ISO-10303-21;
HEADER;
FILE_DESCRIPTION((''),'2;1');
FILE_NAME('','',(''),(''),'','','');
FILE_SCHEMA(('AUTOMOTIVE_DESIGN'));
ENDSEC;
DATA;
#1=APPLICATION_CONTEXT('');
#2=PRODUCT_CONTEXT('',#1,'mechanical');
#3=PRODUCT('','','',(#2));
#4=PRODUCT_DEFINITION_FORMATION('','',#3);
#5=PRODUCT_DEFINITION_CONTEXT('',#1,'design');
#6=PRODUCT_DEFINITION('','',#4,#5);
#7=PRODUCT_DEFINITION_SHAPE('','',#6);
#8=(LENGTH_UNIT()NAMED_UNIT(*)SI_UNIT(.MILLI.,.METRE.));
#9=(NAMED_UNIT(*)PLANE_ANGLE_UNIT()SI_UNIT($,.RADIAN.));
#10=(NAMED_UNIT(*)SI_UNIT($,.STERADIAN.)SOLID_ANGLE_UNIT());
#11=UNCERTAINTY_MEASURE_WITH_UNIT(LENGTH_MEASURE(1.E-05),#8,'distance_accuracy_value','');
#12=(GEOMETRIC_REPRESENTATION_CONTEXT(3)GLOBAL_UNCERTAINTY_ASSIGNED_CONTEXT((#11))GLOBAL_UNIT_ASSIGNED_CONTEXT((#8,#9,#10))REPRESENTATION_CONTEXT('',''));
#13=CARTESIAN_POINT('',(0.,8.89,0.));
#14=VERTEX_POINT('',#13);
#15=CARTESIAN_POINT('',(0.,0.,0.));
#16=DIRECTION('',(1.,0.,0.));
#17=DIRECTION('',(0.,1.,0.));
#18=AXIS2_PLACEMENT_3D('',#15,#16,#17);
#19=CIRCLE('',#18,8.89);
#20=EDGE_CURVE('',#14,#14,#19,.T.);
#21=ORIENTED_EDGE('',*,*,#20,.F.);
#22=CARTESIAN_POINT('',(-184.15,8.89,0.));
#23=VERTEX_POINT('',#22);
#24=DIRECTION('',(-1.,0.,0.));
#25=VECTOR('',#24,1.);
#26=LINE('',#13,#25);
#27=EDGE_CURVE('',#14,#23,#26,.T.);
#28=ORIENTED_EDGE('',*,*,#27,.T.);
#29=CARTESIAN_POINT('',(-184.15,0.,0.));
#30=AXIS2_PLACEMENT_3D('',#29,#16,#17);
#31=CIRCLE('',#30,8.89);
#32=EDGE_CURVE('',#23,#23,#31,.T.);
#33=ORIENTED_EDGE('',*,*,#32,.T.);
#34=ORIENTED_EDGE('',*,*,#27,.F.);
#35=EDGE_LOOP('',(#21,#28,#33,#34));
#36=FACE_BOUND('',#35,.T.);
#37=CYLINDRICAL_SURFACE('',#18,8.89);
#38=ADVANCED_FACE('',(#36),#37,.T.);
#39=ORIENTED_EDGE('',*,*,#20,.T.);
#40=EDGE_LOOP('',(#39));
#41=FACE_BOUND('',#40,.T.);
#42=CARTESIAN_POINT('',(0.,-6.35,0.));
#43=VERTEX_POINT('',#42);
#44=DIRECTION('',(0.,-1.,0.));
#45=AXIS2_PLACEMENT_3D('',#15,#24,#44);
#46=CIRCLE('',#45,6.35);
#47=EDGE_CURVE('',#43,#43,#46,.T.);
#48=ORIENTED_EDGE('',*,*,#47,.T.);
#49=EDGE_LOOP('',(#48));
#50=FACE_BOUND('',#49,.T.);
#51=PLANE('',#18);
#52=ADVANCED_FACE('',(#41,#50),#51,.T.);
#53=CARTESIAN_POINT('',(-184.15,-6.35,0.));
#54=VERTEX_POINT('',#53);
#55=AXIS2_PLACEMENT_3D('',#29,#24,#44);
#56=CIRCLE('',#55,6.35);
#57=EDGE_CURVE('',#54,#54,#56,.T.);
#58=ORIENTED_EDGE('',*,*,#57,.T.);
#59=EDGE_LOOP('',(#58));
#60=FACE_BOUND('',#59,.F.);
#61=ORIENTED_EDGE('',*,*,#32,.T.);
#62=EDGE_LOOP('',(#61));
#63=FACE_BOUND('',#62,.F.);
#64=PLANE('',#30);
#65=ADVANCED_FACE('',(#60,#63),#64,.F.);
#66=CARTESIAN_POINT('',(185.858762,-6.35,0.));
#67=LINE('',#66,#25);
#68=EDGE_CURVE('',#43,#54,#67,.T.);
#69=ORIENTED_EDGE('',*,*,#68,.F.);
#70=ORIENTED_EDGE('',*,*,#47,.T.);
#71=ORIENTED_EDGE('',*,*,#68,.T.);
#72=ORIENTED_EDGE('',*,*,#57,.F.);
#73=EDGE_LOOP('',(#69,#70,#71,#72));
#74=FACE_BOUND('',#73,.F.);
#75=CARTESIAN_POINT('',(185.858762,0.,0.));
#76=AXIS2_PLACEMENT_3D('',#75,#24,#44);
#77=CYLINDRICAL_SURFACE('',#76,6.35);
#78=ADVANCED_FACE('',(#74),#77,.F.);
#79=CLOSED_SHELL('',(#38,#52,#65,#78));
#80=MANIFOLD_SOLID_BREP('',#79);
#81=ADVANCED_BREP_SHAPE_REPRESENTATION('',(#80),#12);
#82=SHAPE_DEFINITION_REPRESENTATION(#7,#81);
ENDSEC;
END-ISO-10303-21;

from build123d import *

# Parameters (mm, degrees)
F0_R     = 8.89
F1_DEPTH = 184.15
F3_D     = 12.7


with BuildPart() as f1:
    # F0 (on Right) → F1 (new body)
    with BuildSketch(Plane.YZ):
        Circle(F0_R)
    extrude(amount=-F1_DEPTH)

    # F3 (through all)
    with Locations(Plane.YZ):
        with Locations((0, 0)):
            Hole(F3_D / 2)


solid = f1.part
